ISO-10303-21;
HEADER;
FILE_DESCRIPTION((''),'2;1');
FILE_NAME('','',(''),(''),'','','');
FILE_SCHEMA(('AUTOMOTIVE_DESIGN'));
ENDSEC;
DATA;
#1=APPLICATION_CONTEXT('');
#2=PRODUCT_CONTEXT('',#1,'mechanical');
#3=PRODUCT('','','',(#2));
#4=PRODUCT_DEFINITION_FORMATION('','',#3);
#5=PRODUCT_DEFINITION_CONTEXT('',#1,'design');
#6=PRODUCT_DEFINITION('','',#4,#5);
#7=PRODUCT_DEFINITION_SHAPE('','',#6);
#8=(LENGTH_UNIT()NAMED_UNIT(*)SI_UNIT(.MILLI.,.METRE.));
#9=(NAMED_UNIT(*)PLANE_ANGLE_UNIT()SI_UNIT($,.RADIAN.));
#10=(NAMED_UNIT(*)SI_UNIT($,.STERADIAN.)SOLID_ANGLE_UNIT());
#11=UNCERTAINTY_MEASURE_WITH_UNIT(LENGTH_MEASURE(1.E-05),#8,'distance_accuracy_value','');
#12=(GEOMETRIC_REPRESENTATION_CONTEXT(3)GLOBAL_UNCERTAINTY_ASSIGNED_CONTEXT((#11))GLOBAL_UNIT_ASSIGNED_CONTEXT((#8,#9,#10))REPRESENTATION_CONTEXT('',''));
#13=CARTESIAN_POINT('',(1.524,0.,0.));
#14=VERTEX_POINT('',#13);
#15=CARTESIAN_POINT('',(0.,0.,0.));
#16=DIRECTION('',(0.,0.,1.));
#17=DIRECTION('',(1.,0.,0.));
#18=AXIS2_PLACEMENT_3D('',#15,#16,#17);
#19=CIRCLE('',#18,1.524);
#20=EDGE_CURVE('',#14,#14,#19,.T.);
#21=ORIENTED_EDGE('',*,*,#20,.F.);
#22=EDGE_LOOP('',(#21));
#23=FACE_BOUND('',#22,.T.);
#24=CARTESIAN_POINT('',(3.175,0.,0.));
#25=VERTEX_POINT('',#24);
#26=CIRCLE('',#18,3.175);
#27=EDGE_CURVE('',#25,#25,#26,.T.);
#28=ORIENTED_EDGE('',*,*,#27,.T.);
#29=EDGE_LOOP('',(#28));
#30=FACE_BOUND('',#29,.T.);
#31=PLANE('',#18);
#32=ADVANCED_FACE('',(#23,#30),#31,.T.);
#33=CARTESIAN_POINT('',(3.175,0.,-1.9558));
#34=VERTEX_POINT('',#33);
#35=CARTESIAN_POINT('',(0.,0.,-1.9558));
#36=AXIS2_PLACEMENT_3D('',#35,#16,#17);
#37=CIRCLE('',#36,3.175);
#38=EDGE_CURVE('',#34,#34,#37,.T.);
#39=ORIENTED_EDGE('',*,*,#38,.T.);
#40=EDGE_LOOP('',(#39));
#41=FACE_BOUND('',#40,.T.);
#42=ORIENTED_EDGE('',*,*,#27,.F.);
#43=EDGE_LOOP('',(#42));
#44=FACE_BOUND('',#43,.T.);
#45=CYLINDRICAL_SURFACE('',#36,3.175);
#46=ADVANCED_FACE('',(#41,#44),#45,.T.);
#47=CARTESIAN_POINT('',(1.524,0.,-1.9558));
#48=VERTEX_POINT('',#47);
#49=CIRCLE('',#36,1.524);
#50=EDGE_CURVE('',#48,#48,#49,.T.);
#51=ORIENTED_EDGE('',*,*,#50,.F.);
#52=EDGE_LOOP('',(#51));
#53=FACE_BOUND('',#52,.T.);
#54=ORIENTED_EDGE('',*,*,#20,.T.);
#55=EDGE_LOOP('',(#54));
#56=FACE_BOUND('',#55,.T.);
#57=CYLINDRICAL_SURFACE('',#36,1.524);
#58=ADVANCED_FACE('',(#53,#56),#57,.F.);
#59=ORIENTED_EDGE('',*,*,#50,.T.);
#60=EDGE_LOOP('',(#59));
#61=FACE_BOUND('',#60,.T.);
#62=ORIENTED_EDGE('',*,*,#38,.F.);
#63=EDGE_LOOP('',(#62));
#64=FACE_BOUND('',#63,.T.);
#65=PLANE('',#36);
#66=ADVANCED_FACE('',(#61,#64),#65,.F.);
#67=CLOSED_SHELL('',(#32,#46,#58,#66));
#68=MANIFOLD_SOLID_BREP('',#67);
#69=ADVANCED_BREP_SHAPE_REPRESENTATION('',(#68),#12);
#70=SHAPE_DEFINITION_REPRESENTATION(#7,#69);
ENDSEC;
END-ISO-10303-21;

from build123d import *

# Parameters (mm, degrees)
SKETCH1_R      = 3.175
SKETCH1_R_2    = 1.524
EXTRUDE1_DEPTH = 1.9558


with BuildPart() as part:
    # Sketch1 → Extrude1 (new body)
    with BuildSketch(Plane.XY):
        Circle(SKETCH1_R)
        Circle(SKETCH1_R_2, mode=Mode.SUBTRACT)
    extrude(amount=-EXTRUDE1_DEPTH)


solid = part.part
